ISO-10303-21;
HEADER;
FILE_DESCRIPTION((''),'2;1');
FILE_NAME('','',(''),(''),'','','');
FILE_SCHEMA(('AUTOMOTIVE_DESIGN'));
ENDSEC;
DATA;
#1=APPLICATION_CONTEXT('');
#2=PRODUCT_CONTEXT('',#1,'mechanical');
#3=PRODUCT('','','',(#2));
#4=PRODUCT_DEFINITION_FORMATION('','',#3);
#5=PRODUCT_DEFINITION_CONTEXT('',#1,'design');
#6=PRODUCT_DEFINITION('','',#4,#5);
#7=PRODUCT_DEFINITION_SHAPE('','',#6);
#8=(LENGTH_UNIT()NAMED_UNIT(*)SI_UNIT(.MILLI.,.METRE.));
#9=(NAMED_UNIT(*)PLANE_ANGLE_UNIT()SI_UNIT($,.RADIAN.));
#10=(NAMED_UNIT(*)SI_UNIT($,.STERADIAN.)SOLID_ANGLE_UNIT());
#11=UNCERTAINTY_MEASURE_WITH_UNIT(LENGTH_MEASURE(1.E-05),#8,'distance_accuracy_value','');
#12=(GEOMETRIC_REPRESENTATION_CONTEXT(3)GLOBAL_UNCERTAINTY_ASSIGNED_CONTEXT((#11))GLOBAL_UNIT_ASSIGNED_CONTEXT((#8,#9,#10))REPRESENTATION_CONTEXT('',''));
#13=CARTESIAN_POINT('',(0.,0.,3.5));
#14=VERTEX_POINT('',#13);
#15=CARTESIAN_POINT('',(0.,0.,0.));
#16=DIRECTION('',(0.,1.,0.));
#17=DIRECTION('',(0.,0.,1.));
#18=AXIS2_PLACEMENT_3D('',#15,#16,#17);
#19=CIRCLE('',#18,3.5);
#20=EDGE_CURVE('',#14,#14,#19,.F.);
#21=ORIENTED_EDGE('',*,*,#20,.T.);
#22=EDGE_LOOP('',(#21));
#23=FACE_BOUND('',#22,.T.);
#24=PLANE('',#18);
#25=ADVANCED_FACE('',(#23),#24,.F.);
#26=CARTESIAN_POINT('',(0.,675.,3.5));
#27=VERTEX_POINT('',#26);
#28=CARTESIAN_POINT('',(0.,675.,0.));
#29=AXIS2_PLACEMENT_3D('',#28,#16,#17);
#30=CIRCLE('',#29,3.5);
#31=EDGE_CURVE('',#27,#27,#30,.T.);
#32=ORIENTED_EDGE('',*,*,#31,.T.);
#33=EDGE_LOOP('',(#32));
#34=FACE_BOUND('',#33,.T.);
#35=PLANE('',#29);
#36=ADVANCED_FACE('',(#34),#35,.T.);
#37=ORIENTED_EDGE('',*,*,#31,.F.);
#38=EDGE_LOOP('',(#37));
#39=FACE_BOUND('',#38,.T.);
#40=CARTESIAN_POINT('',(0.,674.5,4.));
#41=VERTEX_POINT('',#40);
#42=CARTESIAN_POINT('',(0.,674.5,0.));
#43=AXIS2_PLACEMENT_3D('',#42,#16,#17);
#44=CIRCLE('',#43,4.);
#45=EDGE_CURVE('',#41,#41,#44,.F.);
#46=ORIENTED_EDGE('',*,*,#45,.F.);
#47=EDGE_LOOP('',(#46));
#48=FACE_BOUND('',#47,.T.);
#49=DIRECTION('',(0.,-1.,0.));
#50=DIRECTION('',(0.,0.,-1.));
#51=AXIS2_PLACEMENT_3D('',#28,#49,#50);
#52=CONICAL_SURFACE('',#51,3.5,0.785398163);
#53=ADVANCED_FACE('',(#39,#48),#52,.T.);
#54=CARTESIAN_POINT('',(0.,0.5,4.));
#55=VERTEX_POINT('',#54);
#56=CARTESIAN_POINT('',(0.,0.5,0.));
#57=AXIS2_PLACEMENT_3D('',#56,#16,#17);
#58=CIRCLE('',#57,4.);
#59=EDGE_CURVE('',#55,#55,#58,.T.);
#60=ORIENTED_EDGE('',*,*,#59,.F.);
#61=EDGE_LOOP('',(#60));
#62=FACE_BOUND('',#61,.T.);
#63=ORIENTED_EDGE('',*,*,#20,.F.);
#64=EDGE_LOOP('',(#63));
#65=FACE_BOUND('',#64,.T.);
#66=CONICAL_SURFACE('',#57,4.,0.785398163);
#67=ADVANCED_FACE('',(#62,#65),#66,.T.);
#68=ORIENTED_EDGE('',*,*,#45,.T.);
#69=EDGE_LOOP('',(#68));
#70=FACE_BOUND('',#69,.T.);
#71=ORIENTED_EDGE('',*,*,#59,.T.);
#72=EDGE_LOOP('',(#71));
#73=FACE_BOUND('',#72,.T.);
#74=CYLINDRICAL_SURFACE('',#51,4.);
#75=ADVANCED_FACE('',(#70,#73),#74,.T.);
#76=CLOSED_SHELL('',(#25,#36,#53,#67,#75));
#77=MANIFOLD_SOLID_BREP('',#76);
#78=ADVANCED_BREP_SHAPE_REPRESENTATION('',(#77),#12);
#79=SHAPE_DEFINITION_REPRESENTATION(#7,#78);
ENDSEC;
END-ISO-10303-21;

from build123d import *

# Parameters (mm, degrees)
CROQUIS1_R              = 4
SALIENTE_EXTRUIR1_DEPTH = 675
CHAFL_N1_SIZE           = 0.5


with BuildPart() as part:
    # Croquis1 → Saliente-Extruir1 (new body)
    with BuildSketch(Plane(origin=(0, 0, 0), x_dir=(1, 0, 0), z_dir=(0, 1, 0))):
        Circle(CROQUIS1_R)
    extrude(amount=SALIENTE_EXTRUIR1_DEPTH)

    # Chaflán1
    chafl_n1_edges = [part.edges().sort_by_distance(p)[0] for p in [
        (-4, 0, 0),
        (-4, 675, 0),
    ]]
    chamfer(chafl_n1_edges, length=CHAFL_N1_SIZE)


solid = part.part
